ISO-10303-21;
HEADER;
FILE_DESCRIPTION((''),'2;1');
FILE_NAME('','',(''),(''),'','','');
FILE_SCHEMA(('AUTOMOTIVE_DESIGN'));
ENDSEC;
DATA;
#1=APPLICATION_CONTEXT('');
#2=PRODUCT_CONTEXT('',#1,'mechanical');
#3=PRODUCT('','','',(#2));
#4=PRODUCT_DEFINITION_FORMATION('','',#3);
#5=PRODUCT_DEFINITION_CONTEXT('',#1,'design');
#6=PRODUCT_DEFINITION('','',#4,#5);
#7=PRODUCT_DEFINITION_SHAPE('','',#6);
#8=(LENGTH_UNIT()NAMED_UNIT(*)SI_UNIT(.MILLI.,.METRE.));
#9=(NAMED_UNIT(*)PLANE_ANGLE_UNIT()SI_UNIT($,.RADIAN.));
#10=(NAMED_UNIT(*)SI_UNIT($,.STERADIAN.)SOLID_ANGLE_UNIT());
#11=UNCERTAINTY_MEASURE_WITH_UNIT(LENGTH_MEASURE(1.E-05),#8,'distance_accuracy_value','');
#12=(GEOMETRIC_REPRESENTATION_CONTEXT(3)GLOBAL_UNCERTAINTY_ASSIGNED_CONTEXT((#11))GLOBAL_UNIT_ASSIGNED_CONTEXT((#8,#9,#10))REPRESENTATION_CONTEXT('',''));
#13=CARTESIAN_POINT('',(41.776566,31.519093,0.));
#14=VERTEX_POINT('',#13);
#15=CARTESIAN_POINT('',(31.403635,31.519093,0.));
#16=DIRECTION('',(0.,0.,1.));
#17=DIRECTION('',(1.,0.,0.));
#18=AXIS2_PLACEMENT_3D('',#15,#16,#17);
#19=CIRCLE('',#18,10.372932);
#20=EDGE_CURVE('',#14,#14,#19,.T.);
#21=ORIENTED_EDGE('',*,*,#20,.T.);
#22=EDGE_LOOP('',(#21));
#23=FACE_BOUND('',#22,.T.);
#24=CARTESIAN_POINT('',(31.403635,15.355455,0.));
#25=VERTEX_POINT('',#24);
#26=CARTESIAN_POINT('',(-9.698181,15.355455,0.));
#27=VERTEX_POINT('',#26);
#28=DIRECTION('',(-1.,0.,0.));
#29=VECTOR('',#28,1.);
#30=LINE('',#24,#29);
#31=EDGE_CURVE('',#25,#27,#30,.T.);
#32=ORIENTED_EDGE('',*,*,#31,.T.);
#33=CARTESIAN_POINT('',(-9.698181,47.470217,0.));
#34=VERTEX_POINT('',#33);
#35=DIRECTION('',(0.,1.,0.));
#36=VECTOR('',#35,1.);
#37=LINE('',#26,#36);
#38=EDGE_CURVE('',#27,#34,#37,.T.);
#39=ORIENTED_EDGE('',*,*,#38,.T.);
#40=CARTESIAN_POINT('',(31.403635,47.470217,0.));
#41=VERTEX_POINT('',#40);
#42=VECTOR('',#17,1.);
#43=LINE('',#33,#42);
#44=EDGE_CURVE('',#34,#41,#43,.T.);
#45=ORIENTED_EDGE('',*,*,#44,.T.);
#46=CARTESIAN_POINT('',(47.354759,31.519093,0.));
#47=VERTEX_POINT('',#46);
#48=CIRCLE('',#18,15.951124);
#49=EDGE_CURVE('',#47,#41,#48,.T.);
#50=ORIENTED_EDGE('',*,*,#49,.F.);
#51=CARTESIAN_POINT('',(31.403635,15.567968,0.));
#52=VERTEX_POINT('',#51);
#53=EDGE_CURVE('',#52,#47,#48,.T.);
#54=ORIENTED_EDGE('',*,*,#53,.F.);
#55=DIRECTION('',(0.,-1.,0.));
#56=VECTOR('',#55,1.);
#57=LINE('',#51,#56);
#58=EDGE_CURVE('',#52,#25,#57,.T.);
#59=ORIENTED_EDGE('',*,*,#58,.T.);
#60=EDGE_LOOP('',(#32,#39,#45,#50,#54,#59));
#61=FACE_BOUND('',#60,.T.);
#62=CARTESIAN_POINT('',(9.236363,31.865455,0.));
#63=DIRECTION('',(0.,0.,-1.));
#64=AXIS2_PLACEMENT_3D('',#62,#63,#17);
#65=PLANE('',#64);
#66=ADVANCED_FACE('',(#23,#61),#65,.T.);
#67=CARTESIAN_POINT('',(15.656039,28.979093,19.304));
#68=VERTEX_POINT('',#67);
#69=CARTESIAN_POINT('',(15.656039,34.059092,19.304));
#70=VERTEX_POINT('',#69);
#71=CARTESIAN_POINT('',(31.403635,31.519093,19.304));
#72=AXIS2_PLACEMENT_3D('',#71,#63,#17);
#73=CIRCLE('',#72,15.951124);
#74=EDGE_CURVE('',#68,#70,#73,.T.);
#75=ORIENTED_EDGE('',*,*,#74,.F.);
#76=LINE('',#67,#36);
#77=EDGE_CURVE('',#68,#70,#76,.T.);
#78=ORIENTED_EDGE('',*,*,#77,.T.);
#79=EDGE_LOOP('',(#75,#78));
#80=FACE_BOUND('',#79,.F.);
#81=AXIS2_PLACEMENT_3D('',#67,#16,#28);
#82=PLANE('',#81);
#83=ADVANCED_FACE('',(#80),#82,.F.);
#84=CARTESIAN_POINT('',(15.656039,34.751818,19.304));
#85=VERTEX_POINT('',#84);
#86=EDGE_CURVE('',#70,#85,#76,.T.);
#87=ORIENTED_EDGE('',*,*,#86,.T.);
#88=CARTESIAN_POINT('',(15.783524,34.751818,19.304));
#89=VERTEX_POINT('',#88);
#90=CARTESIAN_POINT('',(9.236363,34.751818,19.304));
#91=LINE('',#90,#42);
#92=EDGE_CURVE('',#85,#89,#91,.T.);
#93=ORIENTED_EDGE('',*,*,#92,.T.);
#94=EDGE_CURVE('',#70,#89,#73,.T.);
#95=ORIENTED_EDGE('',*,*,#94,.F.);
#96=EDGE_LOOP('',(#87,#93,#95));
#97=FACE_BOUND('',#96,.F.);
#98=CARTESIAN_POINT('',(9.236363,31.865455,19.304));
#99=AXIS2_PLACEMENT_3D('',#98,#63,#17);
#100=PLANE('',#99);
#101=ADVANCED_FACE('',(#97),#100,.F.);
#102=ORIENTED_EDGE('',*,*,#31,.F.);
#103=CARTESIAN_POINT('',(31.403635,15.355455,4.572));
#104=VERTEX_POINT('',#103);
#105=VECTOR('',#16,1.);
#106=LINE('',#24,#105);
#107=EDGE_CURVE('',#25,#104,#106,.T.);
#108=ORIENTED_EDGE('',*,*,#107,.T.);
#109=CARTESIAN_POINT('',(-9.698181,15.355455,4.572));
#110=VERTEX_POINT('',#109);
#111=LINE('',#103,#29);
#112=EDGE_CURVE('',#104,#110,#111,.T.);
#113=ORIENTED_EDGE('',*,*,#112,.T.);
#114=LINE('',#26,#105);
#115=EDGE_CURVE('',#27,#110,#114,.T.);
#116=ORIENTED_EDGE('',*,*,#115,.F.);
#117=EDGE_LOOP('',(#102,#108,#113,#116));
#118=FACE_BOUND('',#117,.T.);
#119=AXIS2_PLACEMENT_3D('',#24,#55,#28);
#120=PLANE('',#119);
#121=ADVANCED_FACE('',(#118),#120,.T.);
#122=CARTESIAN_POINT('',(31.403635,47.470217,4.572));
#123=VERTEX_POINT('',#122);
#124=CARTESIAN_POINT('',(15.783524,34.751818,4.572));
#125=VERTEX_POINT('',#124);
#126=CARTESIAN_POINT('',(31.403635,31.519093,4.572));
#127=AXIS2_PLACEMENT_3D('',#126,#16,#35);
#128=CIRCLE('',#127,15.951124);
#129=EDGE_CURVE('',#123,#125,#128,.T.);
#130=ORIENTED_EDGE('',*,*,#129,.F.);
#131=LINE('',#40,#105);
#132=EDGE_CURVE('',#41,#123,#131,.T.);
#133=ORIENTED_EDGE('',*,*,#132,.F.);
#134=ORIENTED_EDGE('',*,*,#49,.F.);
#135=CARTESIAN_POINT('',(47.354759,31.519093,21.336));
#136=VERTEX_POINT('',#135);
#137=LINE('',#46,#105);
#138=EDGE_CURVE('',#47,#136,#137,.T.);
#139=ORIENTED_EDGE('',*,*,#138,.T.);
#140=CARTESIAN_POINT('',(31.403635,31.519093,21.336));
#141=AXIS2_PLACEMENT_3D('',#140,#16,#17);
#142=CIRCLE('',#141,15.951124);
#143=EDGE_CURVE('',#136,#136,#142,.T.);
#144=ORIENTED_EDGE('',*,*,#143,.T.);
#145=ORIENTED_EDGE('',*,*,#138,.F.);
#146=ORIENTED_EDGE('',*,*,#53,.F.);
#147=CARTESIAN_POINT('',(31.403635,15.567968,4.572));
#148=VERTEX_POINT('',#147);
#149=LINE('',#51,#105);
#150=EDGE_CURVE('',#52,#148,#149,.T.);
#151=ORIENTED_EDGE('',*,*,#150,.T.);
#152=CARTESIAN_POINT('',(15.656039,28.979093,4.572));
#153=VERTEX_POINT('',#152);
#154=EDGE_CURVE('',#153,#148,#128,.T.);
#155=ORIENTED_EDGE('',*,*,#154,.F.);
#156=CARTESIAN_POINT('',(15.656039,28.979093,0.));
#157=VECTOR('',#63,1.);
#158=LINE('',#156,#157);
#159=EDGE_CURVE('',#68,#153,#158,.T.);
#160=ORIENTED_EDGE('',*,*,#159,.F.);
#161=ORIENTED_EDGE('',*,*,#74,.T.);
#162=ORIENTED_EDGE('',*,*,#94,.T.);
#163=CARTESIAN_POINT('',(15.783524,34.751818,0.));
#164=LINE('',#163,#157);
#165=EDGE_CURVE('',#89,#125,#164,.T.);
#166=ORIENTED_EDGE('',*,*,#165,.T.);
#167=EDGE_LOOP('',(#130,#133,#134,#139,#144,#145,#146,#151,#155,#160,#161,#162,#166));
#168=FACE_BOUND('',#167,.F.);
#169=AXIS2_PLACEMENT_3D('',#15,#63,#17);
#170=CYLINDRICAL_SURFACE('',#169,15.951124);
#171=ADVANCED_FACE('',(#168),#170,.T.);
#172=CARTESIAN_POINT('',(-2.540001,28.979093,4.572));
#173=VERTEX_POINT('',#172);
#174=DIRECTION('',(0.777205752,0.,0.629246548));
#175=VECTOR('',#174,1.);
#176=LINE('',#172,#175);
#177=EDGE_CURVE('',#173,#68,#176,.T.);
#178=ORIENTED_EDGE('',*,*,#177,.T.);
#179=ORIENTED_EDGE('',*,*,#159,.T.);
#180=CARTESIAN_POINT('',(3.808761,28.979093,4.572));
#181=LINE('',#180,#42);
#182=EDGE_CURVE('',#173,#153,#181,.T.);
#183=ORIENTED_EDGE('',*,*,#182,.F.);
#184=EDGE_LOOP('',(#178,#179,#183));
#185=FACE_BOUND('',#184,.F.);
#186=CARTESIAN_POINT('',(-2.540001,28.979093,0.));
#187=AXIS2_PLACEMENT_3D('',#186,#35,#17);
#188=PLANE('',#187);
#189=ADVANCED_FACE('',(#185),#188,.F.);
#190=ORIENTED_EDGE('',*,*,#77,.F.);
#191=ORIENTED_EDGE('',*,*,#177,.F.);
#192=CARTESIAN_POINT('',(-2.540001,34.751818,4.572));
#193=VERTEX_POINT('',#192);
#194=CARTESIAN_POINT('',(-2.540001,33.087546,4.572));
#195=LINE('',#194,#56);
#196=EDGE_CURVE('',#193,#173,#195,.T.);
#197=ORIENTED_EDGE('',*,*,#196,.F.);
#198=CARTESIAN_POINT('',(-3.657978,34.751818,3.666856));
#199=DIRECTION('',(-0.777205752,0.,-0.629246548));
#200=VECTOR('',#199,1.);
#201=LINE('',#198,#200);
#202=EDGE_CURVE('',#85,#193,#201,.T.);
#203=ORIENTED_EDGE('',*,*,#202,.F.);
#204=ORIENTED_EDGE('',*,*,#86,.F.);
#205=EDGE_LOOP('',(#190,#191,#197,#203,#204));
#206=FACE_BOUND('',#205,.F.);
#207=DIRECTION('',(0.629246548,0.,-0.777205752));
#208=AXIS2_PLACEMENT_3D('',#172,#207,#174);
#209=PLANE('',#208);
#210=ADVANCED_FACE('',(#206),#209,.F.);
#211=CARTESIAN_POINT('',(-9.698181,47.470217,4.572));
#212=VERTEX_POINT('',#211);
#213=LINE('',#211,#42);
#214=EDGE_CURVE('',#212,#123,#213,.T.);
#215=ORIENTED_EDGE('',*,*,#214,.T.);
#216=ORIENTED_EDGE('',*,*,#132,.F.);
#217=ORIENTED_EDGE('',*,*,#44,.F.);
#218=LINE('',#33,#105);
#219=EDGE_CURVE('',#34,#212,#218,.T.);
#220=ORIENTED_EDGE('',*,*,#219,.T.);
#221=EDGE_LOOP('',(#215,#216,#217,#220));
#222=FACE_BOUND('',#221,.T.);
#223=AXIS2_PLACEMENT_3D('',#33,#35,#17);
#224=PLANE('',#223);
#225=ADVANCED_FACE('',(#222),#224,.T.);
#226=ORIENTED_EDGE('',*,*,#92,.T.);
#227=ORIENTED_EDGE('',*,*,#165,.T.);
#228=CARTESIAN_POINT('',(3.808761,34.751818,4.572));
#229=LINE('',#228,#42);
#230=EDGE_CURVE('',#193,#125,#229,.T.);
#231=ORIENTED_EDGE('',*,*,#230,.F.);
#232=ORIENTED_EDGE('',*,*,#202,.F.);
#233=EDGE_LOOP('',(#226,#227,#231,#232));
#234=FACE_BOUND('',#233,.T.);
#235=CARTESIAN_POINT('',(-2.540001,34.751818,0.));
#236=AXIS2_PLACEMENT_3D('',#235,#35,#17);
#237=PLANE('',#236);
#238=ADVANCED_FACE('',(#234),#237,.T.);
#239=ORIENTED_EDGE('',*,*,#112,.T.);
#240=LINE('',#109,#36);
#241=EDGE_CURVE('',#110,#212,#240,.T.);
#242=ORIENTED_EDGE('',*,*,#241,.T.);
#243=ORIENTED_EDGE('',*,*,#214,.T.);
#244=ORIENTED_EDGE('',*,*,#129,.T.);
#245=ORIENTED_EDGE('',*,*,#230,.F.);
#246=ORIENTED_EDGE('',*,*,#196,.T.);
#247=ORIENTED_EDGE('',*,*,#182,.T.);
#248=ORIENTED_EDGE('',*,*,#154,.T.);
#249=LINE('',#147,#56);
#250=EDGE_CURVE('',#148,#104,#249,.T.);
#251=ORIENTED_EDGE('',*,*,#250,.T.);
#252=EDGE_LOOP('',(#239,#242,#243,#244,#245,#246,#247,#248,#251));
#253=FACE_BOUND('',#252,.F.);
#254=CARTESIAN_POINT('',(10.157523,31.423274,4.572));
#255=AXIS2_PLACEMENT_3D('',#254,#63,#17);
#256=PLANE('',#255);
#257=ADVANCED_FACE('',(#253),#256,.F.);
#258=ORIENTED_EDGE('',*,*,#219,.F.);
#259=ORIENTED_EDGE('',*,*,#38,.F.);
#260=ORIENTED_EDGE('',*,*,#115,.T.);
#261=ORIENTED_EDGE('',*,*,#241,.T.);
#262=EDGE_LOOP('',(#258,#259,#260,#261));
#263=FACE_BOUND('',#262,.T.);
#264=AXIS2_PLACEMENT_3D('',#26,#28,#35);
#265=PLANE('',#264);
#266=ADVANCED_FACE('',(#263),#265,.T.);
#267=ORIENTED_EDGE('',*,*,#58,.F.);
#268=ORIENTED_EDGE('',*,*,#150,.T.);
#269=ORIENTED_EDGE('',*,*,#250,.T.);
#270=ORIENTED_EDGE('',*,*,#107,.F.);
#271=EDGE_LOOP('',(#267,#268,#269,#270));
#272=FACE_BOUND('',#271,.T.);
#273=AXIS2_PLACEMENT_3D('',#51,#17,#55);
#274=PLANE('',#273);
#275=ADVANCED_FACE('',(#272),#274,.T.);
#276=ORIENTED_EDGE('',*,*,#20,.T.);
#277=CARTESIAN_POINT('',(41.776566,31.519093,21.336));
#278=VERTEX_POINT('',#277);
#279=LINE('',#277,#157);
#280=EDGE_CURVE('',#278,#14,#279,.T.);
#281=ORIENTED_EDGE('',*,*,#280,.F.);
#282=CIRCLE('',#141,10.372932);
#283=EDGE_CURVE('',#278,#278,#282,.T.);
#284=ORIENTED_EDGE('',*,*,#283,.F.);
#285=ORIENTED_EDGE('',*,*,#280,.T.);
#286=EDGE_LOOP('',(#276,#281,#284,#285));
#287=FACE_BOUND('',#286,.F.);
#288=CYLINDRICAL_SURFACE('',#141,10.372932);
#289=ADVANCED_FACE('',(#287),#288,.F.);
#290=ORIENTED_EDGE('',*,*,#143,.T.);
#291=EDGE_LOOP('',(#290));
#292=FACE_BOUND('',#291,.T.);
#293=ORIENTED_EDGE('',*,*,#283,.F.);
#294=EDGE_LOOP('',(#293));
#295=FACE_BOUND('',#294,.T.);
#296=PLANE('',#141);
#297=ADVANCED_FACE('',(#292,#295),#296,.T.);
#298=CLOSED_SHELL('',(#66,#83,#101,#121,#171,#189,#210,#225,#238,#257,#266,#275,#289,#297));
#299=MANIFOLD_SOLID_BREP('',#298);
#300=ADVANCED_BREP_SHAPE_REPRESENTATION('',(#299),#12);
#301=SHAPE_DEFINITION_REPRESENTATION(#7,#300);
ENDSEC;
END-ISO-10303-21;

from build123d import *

# Parameters (mm, degrees)
F0_R     = 15.9511244513
F1_DEPTH = 21.336
F4_DEPTH = 4.572
F5_W     = 23.5527278855
F5_H     = 5.7727247477
F6_DEPTH = 19.304
F8_DEPTH = 62.23
F2_R     = 10.3729315348
F9_DEPTH = 46.99


with BuildPart() as f1:
    # F0 (on Top) → F1 (new body)
    with BuildSketch(Plane.XY):
        with Locations((31.4036346972, 31.5190926194)):
            Circle(F0_R)
    extrude(amount=F1_DEPTH)

    # F3 (on face) → F4 (join)
    with BuildSketch(Plane(origin=(0, 0, 0), x_dir=(1, 0, 0), z_dir=(0, 0, -1))):
        with BuildLine():
            Line((-9.6981814131, -47.4702170707), (31.4036346972, -47.4702170707))
            ThreePointArc((31.4036346972, -47.4702170707), (15.4525102459, -31.5190926194), (31.4036346972, -15.5679681681))
            Line((31.4036346972, -15.5679681681), (31.4036346972, -15.3554547578))
            Line((31.4036346972, -15.3554547578), (-9.6981814131, -15.3554547578))
            Line((-9.6981814131, -15.3554547578), (-9.6981814131, -47.4702170707))
        make_face()
    extrude(amount=-F4_DEPTH)

    # F5 (on face) → F6 (join)
    with BuildSketch(Plane(origin=(0, 0, 0), x_dir=(1, 0, 0), z_dir=(0, 0, -1))):
        with Locations((9.2363632284, -31.8654552102)):
            Rectangle(F5_W, F5_H)
    extrude(amount=-F6_DEPTH)

    # F7 (on face) → F8 (cut)
    with BuildSketch(Plane.XZ.offset(-28.9790928364)):
        Polygon((-2.5400007144, 19.304), (-2.5400007144, 4.572), (15.6560389326, 19.304), align=None)
    extrude(amount=-F8_DEPTH, mode=Mode.SUBTRACT)

    # F2 (on face) → F9 (cut)
    with BuildSketch(Plane.XY.offset(21.336)):
        with Locations((31.4036346972, 31.5190926194)):
            Circle(F2_R)
    extrude(amount=-F9_DEPTH, mode=Mode.SUBTRACT)


solid = f1.part
